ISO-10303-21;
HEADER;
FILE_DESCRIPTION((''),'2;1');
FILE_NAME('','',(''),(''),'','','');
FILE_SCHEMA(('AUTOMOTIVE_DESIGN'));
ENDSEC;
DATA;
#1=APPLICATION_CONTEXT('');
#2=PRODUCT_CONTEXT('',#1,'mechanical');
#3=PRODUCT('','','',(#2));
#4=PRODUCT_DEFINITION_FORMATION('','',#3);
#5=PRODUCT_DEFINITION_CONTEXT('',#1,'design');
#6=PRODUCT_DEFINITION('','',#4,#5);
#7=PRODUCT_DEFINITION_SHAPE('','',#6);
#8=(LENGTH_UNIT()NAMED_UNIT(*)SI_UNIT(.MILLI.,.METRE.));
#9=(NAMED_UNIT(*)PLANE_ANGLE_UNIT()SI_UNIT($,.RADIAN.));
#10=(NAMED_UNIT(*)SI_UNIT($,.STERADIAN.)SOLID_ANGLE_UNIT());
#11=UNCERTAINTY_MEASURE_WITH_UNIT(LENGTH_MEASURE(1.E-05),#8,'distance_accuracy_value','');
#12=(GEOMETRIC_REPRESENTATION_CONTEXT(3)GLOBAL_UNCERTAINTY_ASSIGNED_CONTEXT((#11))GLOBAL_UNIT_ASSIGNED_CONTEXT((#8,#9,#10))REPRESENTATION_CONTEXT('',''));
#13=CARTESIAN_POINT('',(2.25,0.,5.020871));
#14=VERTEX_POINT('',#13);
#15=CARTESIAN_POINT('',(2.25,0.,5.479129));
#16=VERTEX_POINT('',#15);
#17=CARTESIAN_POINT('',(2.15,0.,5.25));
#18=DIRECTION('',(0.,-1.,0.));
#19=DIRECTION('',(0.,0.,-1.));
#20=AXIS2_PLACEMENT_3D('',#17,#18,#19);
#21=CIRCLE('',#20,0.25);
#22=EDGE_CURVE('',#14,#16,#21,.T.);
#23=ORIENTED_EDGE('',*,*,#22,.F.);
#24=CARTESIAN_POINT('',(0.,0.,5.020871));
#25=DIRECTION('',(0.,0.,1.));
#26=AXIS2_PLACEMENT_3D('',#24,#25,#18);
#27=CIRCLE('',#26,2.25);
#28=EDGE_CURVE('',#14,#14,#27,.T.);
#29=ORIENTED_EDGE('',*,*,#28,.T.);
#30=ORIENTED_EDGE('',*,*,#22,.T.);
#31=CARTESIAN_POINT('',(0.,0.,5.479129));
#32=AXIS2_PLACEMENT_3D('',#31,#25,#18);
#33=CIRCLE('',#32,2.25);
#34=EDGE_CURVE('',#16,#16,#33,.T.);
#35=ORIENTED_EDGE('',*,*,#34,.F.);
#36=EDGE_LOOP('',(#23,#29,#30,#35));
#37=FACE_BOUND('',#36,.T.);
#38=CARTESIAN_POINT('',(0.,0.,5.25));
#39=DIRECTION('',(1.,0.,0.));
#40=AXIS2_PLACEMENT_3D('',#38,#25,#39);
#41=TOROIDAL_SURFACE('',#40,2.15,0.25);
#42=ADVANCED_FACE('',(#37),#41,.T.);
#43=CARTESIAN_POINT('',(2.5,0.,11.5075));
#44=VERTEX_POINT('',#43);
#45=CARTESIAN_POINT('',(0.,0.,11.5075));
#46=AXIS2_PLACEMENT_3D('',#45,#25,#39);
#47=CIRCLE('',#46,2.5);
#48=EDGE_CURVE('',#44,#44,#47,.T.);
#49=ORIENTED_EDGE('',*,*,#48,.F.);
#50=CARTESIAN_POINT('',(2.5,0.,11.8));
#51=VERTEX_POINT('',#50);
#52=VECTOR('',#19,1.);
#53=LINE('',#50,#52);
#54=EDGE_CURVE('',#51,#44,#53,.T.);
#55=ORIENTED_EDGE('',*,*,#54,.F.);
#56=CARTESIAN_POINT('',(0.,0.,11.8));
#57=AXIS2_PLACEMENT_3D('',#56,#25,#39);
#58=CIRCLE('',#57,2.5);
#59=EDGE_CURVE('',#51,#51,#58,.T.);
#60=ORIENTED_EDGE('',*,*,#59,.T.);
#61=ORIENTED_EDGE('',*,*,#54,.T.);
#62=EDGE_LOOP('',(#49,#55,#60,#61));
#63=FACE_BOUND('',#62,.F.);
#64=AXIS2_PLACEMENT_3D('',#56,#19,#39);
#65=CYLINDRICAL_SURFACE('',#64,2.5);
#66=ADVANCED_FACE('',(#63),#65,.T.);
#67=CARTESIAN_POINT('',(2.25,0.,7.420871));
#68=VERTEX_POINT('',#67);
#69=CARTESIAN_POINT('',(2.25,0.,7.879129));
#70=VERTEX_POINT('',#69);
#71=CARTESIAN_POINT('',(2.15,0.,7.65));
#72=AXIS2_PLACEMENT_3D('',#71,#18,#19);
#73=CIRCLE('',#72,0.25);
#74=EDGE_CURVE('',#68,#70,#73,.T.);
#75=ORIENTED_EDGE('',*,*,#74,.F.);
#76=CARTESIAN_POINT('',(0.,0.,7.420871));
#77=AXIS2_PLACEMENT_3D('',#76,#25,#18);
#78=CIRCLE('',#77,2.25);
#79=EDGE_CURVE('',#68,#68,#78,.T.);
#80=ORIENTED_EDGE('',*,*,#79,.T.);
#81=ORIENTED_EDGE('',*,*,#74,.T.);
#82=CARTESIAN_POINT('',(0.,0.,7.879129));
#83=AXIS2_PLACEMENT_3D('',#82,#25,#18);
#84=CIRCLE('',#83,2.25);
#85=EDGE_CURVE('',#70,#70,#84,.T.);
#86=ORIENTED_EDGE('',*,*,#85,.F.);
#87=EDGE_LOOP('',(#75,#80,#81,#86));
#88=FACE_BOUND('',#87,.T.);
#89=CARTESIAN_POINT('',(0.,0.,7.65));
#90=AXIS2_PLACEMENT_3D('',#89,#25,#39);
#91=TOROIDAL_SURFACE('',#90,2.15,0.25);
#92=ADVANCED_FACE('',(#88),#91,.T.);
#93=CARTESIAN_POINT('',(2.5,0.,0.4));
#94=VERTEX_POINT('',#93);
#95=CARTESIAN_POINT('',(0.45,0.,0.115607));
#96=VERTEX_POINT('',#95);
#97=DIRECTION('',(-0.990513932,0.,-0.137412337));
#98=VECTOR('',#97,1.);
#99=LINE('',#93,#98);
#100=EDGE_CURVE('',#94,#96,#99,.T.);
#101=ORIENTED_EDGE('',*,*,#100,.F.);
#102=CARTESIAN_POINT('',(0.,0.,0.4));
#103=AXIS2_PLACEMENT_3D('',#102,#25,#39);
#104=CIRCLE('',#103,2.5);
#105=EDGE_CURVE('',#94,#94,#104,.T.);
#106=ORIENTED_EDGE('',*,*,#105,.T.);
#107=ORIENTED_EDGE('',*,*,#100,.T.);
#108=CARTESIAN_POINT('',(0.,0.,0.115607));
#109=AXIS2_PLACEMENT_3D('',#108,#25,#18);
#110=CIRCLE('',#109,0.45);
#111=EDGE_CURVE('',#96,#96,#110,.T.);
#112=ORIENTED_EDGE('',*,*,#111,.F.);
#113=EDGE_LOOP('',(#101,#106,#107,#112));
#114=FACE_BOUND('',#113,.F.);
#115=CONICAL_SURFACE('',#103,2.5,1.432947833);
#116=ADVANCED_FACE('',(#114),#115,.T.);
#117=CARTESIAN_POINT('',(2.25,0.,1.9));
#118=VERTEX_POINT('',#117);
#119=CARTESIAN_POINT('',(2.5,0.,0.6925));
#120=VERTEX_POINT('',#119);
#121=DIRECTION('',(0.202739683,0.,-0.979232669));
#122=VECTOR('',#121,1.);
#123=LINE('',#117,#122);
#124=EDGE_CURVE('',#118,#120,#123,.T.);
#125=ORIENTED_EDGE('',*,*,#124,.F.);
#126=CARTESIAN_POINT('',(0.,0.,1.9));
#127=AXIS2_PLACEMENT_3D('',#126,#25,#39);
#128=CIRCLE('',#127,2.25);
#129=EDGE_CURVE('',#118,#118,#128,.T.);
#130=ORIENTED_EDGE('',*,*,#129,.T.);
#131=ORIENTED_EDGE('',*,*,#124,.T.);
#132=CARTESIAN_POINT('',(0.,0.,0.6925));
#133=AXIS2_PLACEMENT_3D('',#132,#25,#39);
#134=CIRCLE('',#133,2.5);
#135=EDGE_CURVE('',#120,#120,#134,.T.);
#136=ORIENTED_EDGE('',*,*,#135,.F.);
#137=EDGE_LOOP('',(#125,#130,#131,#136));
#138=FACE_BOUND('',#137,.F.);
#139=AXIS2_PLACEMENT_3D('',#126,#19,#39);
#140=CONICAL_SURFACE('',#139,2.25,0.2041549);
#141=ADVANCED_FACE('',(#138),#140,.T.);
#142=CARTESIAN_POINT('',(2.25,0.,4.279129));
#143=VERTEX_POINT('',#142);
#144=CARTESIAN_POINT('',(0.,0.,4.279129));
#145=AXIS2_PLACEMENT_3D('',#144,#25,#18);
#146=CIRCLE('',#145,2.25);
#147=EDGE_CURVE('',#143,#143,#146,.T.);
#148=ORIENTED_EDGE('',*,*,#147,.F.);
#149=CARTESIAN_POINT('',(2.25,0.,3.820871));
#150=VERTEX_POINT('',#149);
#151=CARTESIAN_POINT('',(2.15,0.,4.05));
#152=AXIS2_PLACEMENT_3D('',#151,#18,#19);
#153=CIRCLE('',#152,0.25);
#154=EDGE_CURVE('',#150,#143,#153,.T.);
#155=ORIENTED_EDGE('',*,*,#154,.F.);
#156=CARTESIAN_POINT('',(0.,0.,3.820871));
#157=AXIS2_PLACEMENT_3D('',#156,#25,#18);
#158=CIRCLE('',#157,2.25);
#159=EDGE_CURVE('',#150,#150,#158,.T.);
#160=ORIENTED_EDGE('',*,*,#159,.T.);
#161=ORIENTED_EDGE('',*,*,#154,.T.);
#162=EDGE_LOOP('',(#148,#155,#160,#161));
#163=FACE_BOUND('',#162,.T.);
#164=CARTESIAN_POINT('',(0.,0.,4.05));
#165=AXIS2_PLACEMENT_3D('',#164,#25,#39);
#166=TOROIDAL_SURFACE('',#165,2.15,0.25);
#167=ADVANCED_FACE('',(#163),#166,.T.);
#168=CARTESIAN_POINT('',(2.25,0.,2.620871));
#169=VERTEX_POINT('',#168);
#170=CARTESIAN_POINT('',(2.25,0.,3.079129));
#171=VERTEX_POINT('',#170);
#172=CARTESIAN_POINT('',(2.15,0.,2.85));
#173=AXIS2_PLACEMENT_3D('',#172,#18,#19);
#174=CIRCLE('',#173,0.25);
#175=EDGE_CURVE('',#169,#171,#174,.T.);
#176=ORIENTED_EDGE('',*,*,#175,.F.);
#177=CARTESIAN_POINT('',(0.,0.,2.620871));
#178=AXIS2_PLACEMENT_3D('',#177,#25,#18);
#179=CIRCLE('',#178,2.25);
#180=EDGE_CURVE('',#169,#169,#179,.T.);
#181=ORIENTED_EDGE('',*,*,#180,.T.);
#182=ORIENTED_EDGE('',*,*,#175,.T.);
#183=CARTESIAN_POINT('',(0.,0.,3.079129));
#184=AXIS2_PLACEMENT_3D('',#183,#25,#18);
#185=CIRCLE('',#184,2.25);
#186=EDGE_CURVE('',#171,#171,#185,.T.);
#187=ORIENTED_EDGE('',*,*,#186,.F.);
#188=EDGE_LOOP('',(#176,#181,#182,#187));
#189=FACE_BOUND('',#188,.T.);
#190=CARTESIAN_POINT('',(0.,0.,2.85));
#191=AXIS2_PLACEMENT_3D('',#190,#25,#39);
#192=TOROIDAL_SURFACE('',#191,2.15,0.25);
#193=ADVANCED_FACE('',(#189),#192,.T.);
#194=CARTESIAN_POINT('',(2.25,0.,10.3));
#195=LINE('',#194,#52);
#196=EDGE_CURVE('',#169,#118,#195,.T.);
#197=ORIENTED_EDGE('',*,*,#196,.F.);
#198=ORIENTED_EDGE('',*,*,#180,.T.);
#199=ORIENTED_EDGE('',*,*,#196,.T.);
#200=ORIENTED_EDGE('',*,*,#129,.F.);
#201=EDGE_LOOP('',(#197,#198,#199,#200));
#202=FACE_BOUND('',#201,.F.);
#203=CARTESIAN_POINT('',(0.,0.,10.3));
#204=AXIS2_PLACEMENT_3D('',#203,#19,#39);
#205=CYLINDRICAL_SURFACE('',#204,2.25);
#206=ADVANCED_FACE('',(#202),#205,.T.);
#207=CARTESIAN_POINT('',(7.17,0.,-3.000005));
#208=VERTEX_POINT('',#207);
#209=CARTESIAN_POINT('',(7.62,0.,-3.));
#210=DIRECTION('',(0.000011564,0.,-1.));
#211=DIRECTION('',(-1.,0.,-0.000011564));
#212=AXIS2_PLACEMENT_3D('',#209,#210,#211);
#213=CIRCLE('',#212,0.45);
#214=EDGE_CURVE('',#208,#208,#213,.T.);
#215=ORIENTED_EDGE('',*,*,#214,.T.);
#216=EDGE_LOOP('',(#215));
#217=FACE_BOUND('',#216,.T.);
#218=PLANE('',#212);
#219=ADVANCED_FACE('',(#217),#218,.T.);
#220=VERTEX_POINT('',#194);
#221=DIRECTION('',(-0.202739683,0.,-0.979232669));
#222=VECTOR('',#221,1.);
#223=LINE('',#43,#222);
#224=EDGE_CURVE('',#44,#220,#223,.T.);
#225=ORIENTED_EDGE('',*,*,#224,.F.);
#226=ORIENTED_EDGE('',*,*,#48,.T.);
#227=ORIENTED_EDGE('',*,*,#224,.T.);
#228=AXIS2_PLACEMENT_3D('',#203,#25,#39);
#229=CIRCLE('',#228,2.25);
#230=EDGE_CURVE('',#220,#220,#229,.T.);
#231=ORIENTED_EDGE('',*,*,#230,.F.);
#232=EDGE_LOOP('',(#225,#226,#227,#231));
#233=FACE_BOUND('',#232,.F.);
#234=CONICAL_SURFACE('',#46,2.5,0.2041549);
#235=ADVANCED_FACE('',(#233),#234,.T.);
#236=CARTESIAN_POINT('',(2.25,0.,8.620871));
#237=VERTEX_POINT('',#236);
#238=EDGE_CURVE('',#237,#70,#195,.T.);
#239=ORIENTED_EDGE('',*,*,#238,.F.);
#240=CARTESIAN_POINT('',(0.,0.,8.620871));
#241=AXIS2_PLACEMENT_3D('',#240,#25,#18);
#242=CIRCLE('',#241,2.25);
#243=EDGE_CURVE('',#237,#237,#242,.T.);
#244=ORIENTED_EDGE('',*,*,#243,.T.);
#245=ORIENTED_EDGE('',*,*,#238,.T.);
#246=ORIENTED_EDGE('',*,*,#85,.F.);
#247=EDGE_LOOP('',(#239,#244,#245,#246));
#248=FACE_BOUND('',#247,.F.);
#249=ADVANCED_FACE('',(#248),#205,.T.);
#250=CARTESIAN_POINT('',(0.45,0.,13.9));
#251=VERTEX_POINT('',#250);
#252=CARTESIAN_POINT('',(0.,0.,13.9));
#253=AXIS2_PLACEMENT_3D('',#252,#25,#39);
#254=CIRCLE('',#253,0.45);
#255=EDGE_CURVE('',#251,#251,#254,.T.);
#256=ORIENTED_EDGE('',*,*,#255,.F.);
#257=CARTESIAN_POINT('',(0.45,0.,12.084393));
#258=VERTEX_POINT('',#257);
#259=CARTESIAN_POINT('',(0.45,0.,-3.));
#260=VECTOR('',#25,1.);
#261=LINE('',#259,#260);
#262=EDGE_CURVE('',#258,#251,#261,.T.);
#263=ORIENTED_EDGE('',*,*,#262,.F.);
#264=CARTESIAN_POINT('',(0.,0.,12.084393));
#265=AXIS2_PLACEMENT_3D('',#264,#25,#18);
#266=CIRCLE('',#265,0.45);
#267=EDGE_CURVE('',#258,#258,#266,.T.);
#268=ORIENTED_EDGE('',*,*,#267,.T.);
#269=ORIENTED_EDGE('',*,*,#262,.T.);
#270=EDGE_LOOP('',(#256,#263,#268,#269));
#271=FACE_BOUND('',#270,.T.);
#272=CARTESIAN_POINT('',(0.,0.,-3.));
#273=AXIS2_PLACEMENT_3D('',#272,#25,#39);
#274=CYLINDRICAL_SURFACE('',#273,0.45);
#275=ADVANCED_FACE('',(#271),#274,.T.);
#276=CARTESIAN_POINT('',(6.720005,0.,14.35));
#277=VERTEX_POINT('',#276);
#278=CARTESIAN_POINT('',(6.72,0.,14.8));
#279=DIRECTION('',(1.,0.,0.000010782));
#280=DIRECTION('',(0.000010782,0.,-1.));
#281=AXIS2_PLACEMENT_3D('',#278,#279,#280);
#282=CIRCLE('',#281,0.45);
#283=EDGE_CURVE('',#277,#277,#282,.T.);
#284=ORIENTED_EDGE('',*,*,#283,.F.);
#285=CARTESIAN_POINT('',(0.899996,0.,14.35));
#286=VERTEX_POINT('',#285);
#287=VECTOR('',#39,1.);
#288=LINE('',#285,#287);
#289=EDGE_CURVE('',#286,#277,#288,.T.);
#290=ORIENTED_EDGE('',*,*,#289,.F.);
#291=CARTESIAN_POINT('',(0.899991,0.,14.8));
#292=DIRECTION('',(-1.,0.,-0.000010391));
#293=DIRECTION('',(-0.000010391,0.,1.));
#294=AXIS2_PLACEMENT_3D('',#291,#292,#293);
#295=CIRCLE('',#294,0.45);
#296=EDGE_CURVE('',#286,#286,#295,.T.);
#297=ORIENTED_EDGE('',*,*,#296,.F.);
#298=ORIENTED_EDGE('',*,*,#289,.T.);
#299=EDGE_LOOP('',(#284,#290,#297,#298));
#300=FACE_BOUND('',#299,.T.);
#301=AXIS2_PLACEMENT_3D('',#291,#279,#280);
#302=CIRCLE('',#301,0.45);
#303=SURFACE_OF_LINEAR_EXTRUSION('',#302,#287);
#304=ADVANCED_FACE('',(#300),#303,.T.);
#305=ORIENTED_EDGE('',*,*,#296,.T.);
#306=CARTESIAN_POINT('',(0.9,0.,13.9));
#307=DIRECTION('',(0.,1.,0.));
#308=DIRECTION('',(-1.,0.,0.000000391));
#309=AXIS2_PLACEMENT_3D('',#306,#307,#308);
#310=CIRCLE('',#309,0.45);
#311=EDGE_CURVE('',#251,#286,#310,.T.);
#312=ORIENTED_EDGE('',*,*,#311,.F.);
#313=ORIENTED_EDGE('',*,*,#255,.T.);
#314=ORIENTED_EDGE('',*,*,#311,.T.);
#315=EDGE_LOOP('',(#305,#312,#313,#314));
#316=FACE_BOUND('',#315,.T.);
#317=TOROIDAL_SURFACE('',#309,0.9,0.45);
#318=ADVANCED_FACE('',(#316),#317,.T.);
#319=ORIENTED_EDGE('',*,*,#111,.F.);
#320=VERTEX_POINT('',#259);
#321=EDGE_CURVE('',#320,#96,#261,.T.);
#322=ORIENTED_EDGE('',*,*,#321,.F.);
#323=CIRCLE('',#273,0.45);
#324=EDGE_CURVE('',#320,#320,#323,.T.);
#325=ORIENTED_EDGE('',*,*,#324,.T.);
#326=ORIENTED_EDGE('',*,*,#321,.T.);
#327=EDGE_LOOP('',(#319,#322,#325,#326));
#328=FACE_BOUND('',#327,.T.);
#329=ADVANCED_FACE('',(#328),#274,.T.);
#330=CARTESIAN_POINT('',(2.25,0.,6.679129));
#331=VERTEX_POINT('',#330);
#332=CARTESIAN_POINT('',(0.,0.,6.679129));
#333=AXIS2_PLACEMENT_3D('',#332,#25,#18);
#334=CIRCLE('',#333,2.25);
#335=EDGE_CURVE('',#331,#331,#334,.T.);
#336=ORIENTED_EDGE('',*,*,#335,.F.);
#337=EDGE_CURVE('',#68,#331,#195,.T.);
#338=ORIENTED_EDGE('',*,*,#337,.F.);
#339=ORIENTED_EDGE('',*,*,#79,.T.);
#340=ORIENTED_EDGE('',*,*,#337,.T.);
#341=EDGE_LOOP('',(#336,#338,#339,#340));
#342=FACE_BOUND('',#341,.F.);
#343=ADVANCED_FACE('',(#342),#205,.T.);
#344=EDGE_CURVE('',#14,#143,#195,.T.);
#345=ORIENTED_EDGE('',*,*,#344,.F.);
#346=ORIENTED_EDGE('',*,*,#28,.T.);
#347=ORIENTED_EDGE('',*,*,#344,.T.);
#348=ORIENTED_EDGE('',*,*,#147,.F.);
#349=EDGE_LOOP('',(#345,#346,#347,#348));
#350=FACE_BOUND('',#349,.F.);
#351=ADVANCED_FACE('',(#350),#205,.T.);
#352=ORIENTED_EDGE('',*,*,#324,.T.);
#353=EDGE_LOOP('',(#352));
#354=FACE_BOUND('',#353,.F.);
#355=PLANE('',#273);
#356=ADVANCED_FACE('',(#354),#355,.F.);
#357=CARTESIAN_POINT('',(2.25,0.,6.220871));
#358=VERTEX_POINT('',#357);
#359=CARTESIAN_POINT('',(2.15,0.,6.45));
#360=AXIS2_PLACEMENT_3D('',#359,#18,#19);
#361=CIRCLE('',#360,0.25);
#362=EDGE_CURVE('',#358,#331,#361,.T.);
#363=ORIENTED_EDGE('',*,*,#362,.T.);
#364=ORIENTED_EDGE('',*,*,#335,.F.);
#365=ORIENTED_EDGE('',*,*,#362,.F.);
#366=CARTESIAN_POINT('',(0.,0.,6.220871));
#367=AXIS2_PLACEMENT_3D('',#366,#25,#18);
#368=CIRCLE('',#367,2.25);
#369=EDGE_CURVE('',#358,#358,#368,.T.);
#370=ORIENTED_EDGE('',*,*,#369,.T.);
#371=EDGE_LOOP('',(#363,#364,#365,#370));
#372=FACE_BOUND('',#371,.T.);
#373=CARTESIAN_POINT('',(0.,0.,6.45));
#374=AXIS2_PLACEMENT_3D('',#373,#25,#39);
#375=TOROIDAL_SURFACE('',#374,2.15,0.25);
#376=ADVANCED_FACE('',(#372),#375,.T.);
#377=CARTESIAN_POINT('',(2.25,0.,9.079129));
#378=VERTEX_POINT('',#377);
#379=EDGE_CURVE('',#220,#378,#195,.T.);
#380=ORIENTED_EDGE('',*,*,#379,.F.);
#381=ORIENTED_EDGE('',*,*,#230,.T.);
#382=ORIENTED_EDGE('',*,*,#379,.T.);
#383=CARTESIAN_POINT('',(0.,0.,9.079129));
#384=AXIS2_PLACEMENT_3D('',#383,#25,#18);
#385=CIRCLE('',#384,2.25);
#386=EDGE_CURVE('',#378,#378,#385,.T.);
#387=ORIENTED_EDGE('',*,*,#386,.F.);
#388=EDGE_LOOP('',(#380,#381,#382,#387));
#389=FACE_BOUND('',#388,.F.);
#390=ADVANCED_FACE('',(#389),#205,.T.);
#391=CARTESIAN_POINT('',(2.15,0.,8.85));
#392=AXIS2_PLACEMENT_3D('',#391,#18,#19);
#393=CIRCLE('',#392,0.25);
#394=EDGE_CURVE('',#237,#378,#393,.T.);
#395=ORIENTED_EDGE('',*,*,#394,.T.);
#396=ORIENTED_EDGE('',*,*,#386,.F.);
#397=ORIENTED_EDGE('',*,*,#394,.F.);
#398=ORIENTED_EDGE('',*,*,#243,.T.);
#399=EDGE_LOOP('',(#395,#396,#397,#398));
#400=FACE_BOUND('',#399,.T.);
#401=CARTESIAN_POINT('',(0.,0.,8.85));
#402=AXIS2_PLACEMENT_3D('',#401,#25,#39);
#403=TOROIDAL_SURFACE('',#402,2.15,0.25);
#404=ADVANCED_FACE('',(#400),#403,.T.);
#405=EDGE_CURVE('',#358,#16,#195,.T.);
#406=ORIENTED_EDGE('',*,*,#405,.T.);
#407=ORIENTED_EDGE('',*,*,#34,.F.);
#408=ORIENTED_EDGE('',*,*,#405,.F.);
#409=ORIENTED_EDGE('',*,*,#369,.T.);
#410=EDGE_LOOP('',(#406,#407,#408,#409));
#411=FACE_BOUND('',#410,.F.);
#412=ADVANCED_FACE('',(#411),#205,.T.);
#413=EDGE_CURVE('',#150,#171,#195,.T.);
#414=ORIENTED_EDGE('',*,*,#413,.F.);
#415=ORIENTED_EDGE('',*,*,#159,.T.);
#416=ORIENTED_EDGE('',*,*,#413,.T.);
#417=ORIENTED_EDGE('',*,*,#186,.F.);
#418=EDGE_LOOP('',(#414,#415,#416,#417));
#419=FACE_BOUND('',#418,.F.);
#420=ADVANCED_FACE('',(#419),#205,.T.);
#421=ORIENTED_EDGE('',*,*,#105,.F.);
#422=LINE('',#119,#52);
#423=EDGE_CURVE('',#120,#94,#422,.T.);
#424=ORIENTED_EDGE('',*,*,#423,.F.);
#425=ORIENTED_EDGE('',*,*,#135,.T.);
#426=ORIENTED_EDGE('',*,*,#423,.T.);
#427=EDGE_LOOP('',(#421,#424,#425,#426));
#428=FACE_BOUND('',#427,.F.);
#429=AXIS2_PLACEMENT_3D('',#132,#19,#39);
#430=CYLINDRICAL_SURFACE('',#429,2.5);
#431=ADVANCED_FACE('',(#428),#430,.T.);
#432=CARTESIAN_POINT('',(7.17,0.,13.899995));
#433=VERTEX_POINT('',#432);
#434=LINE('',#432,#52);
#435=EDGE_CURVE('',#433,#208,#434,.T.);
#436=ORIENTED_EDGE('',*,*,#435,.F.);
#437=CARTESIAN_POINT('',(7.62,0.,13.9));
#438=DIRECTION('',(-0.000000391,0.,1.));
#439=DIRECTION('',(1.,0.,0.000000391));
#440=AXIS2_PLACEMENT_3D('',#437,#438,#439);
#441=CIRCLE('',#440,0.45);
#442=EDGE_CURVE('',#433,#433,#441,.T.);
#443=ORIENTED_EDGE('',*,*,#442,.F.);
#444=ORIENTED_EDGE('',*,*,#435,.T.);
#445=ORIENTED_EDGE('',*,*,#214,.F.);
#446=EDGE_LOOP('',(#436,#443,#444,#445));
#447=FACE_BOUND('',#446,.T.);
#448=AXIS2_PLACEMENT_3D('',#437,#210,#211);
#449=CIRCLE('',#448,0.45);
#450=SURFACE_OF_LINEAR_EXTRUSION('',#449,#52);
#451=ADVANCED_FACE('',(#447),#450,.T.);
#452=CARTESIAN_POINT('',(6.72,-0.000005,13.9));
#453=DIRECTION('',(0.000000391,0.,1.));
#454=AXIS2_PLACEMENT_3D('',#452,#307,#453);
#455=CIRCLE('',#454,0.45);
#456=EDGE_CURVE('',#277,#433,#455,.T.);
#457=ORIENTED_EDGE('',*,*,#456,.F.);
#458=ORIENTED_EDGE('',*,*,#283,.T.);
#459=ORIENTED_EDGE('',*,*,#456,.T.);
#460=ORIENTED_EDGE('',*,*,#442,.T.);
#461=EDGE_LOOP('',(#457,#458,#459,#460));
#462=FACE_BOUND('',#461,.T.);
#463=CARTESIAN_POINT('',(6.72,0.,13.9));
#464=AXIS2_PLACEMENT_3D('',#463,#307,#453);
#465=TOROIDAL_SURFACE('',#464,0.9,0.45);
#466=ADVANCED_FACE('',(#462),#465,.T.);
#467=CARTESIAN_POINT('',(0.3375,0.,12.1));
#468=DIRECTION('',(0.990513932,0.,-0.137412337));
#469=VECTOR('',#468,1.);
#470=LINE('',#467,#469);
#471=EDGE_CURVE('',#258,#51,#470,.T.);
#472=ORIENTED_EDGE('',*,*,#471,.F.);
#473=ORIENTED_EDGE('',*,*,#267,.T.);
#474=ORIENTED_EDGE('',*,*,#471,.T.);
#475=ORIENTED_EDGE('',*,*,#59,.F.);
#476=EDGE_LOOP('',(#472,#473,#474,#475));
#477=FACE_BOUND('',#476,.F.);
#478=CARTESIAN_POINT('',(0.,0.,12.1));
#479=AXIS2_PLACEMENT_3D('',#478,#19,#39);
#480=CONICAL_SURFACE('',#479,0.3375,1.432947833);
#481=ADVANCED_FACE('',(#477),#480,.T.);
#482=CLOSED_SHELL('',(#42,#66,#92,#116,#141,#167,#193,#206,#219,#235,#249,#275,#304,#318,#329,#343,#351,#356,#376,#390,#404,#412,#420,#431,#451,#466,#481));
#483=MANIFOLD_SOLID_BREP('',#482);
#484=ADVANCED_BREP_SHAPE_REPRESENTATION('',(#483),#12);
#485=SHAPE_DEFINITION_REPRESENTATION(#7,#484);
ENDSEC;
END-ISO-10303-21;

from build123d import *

# Parameters (mm, degrees)
SKETCH_R = 0.45


with BuildPart() as revolution:
    # Sketch002 → Revolution (revolve)
    with BuildSketch(Plane.XZ):
        Polygon((0, 0.1), (0, 12.1), (0.3375, 12.1), (2.5, 11.8), (2.5, 11.5075), (2.25, 10.3), (2.25, 1.9), (2.5, 0.6925), (2.5, 0.4), (0.3375, 0.1), align=None)
    revolve(axis=Axis((0, 0, 0), (0, 0, 1)))


with BuildPart() as sweep_body:
    # Sweep: sweep along a path in Sketch001
    with BuildLine(Plane.XZ) as sweep_path:
        Line((0, -3), (0, 13.9))
        ThreePointArc((0, 13.9), (0.263601, 14.536393), (0.899991, 14.8))
        Line((0.899991, 14.8), (6.72, 14.8))
        ThreePointArc((6.72, 14.8), (7.356396, 14.536396), (7.62, 13.9))
        Line((7.62, 13.9), (7.62, -3))
    # Sketch → Sweep (sweep)
    with BuildSketch(Plane.XY.offset(-2)):
        Circle(SKETCH_R)
    sweep(path=sweep_path.line)


with BuildPart() as revolution001_mp_cp:
    # Sketch003 → Revolution001 (revolve)
    with BuildSketch(Plane.XZ):
        with BuildLine():
            Line((2, 9.8), (2, 1.9))
            Line((2, 1.9), (2.15, 1.9))
            Line((2.15, 1.9), (2.15, 2.6))
            ThreePointArc((2.15, 2.6), (2.4, 2.85), (2.15, 3.1))
            Line((2.15, 3.1), (2.15, 3.8))
            ThreePointArc((2.15, 3.8), (2.4, 4.05), (2.15, 4.3))
            Line((2.15, 4.3), (2.15, 5))
            ThreePointArc((2.15, 5), (2.4, 5.25), (2.15, 5.5))
            Line((2.15, 5.5), (2.15, 6.2))
            ThreePointArc((2.15, 6.2), (2.4, 6.45), (2.15, 6.7))
            Line((2.15, 6.7), (2.15, 7.4))
            ThreePointArc((2.15, 7.4), (2.4, 7.65), (2.15, 7.9))
            Line((2.15, 7.9), (2.15, 8.6))
            ThreePointArc((2.15, 8.6), (2.4, 8.85), (2.15, 9.1))
            Line((2.15, 9.8), (2.15, 9.1))
            Line((2, 9.8), (2.15, 9.8))
        make_face()
    revolve(axis=Axis((0, 0, 0), (0, 0, 1)))

    # Revolution001_mp_cp: union Revolution, Sweep body
    add(revolution.part)
    add(sweep_body.part)


solid = revolution001_mp_cp.part
